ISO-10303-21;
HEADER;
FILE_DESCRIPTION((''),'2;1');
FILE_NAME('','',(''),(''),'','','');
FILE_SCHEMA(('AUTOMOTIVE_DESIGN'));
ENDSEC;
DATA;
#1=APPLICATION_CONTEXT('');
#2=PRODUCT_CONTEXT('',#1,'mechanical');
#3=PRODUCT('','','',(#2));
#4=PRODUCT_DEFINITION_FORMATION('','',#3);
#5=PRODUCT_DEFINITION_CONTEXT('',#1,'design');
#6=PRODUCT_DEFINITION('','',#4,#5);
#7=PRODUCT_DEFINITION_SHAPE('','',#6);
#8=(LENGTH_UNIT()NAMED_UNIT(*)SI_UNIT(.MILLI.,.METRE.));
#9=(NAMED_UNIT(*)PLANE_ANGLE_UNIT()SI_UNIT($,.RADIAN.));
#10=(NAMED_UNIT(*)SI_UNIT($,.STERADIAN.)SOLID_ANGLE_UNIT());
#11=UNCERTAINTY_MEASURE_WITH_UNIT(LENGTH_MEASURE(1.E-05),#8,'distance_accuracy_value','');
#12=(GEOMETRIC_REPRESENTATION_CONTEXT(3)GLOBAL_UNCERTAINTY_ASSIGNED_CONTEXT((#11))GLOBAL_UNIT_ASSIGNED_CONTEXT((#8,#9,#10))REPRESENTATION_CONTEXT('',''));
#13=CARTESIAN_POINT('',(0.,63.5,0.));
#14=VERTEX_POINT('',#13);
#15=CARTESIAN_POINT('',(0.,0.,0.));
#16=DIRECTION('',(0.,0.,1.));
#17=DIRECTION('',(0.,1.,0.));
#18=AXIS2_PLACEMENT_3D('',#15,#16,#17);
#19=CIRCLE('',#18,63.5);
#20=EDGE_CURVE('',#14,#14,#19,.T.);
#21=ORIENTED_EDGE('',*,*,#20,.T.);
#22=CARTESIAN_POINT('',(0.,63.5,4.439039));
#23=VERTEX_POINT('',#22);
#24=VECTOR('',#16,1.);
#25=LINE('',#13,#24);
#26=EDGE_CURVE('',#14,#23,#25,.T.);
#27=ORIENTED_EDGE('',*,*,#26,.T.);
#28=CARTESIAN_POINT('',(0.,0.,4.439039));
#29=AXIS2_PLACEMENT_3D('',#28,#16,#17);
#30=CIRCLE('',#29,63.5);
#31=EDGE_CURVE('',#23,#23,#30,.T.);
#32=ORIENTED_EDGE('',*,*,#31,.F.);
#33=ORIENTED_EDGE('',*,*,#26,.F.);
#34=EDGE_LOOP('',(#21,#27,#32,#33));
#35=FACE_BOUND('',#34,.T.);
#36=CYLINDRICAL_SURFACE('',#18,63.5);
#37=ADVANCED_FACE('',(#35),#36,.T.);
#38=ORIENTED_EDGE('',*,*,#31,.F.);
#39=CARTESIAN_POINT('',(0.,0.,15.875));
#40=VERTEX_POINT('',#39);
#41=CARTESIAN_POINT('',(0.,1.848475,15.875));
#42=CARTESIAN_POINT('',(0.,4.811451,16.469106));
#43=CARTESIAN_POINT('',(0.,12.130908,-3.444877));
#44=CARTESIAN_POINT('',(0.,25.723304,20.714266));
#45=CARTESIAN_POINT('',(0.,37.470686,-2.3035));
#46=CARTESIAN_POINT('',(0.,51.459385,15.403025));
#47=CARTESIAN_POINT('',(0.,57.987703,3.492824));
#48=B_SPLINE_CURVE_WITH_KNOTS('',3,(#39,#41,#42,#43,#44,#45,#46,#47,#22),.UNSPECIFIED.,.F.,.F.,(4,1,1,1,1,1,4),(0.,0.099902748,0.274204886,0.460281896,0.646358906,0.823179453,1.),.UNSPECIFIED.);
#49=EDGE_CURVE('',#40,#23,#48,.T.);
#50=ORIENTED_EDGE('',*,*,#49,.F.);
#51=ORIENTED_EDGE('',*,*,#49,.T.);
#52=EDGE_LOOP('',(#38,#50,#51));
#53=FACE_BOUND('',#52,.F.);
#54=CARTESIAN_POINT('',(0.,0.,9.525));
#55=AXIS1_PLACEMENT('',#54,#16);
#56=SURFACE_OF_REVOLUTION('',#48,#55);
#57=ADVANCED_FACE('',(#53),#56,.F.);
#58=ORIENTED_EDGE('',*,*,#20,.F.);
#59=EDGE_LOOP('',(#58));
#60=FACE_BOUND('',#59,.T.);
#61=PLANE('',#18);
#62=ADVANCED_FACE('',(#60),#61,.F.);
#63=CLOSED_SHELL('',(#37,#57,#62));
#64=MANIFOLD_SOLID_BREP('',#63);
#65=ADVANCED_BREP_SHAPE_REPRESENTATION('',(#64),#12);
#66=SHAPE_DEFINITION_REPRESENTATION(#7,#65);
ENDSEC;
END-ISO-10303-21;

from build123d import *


with BuildPart() as f1:
    # F0 (on Right) → F1 (revolve)
    with BuildSketch(Plane.YZ):
        with BuildLine():
            Line((0, 15.875), (0, 0))
            Line((0, 0), (63.5, 0))
            Line((63.5, 0), (63.5, 4.4390394999))
            add(Edge.make_bspline(
                [(0, 15.875), (1.8484748188, 15.875), (4.8114509372, 16.4691058741), (12.1309079612, -3.4448768882), (25.7233035249, 20.7142655672), (37.4706858191, -2.3035004154), (51.4593845138, 15.4030251871), (57.9877029911, 3.4928237222), (63.5, 4.4390394999)],
                knots=[0, 0, 0, 0, 0.0999027477, 0.2742048856, 0.4602818957, 0.6463589059, 0.8231794529, 1, 1, 1, 1], degree=3))
        make_face()
    revolve(axis=Axis((0, 0, 9.525), (0, 0, 1)))


solid = f1.part
